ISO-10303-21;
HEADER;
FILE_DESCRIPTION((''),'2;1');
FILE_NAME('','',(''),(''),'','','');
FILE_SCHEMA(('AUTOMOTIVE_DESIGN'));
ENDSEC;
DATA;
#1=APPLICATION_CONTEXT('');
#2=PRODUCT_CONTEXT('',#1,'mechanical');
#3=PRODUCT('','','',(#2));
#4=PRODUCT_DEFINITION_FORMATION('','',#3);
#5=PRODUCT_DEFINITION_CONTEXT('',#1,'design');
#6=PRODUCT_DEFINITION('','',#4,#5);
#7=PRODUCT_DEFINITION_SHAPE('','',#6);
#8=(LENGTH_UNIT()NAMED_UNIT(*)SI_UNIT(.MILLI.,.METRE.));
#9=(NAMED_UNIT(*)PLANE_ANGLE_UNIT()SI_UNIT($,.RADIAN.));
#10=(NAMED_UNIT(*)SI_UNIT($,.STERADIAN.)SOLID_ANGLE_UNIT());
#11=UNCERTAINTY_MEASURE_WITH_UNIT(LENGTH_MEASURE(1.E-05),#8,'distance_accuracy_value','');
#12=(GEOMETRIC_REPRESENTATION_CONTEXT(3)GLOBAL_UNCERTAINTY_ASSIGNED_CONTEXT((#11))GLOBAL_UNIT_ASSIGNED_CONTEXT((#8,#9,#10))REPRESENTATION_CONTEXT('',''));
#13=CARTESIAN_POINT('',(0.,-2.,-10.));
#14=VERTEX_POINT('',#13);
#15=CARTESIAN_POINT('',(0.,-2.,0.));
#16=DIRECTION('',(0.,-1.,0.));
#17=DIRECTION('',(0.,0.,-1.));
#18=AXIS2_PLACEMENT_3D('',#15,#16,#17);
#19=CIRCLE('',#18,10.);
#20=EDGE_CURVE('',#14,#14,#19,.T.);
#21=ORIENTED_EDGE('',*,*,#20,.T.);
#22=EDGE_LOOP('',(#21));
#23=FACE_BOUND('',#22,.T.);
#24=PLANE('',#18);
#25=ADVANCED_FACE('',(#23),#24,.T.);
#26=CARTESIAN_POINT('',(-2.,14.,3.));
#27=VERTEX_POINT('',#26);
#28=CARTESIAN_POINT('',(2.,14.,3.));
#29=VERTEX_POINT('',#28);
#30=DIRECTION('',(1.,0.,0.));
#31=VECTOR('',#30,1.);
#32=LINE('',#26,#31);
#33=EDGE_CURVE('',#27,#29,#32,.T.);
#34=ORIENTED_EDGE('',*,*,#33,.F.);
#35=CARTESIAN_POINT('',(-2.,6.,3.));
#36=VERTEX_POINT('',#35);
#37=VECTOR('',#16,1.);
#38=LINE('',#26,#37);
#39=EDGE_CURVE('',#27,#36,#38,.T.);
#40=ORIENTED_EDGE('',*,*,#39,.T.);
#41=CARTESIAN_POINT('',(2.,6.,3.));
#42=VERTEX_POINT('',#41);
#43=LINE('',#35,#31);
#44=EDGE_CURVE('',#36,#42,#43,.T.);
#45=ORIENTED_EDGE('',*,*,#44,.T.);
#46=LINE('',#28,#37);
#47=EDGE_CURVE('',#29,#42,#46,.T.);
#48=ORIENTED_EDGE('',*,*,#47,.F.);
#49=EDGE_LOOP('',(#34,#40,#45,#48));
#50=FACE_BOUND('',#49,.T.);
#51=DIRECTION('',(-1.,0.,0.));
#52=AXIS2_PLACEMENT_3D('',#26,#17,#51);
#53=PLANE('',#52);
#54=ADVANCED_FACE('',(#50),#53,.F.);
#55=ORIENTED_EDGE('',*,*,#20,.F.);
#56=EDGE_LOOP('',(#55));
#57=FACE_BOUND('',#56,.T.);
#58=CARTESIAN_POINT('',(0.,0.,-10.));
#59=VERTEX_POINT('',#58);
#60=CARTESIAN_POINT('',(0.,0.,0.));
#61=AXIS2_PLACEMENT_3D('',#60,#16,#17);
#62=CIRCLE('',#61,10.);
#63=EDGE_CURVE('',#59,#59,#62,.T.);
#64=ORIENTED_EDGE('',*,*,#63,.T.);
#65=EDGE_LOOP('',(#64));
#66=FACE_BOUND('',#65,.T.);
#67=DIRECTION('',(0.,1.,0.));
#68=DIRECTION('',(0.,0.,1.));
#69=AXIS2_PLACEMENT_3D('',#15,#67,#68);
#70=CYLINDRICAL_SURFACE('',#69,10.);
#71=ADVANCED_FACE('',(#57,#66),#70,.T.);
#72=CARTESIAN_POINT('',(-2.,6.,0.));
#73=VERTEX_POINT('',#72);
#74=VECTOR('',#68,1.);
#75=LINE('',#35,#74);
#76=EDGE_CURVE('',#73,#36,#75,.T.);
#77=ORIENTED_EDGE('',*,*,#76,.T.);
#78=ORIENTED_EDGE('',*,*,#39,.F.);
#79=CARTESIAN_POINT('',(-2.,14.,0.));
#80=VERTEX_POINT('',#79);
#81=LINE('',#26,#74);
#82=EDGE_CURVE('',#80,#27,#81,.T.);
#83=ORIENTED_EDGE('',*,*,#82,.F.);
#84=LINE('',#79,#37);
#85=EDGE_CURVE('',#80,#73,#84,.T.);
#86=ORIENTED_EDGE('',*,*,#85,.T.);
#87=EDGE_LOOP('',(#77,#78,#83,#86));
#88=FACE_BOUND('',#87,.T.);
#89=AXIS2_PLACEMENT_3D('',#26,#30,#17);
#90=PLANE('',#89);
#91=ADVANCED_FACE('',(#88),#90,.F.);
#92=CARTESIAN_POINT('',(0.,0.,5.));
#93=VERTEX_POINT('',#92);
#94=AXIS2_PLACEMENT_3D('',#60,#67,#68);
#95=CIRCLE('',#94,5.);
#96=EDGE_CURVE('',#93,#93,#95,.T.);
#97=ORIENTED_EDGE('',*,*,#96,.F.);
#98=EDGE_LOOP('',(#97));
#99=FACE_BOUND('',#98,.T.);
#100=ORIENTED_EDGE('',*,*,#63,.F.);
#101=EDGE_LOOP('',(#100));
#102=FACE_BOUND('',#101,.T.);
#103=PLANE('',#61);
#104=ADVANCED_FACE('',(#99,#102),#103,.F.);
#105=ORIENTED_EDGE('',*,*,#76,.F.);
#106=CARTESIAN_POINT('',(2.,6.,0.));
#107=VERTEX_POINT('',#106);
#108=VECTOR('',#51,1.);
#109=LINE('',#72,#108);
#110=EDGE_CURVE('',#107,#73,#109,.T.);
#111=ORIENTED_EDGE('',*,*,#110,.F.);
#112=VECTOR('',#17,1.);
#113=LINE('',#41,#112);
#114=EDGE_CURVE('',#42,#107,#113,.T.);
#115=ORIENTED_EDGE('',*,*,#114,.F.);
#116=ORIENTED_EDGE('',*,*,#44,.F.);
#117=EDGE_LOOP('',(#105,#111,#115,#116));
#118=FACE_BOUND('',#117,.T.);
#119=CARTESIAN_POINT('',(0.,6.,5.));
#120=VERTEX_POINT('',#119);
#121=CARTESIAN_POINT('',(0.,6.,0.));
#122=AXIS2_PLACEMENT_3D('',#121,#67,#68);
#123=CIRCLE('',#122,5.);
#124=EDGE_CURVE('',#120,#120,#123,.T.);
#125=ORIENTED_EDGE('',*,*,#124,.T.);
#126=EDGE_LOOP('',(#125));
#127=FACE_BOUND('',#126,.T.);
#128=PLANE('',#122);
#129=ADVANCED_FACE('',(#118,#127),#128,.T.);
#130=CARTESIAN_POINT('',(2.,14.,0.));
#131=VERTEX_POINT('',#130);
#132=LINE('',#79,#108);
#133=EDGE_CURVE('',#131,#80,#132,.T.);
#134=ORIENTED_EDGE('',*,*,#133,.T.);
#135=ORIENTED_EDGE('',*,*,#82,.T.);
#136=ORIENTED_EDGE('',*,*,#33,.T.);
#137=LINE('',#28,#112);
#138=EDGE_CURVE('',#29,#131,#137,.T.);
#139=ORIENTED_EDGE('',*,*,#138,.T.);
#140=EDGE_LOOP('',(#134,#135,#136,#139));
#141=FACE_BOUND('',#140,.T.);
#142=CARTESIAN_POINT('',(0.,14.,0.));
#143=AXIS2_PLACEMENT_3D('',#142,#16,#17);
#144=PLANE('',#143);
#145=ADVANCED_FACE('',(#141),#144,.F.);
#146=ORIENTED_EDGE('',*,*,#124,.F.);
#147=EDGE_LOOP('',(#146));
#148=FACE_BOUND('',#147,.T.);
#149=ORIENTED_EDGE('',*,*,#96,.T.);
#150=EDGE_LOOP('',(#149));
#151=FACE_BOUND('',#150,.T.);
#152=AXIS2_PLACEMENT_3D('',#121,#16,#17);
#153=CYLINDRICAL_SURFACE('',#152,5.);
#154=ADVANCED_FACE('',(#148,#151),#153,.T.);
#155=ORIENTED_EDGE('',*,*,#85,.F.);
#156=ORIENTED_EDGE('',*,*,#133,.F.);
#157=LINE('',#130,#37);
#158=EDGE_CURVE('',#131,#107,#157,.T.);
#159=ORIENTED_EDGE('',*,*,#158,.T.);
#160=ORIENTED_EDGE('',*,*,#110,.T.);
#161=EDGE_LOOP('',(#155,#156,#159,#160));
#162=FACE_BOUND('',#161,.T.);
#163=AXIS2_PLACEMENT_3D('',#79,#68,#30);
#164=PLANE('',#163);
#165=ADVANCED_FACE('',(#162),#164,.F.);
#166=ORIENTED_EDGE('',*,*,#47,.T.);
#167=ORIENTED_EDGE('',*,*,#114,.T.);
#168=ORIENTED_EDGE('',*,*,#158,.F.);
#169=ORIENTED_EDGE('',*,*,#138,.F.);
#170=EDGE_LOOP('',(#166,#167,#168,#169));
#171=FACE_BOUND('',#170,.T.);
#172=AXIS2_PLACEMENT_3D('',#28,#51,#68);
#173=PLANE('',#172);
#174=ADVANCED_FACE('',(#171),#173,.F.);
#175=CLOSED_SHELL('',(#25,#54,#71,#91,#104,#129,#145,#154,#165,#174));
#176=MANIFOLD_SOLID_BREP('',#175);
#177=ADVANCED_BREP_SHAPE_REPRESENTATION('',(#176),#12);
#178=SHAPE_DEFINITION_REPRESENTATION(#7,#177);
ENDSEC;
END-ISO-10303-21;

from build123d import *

# Parameters (mm, degrees)
SKETCH1_R           = 5
BOSS_EXTRUDE1_DEPTH = 6
SKETCH3_W           = 4
SKETCH3_H           = 3
BOSS_EXTRUDE2_DEPTH = 8
SKETCH4_R           = 10
BOSS_EXTRUDE3_DEPTH = 2


with BuildPart() as part:
    # Sketch1 → Boss-Extrude1 (new body)
    with BuildSketch(Plane(origin=(0, 0, 0), x_dir=(1, 0, 0), z_dir=(0, 1, 0))):
        Circle(SKETCH1_R)
    extrude(amount=BOSS_EXTRUDE1_DEPTH)

    # Sketch3 → Boss-Extrude2 (add)
    with BuildSketch(Plane(origin=(0, 6, 0), x_dir=(1, 0, 0), z_dir=(0, 1, 0))):
        with Locations((0, -1.5)):
            Rectangle(SKETCH3_W, SKETCH3_H)
    extrude(amount=BOSS_EXTRUDE2_DEPTH)

    # Sketch4 → Boss-Extrude3 (add)
    with BuildSketch(Plane.XZ):
        Circle(SKETCH4_R)
    extrude(amount=BOSS_EXTRUDE3_DEPTH)


solid = part.part
